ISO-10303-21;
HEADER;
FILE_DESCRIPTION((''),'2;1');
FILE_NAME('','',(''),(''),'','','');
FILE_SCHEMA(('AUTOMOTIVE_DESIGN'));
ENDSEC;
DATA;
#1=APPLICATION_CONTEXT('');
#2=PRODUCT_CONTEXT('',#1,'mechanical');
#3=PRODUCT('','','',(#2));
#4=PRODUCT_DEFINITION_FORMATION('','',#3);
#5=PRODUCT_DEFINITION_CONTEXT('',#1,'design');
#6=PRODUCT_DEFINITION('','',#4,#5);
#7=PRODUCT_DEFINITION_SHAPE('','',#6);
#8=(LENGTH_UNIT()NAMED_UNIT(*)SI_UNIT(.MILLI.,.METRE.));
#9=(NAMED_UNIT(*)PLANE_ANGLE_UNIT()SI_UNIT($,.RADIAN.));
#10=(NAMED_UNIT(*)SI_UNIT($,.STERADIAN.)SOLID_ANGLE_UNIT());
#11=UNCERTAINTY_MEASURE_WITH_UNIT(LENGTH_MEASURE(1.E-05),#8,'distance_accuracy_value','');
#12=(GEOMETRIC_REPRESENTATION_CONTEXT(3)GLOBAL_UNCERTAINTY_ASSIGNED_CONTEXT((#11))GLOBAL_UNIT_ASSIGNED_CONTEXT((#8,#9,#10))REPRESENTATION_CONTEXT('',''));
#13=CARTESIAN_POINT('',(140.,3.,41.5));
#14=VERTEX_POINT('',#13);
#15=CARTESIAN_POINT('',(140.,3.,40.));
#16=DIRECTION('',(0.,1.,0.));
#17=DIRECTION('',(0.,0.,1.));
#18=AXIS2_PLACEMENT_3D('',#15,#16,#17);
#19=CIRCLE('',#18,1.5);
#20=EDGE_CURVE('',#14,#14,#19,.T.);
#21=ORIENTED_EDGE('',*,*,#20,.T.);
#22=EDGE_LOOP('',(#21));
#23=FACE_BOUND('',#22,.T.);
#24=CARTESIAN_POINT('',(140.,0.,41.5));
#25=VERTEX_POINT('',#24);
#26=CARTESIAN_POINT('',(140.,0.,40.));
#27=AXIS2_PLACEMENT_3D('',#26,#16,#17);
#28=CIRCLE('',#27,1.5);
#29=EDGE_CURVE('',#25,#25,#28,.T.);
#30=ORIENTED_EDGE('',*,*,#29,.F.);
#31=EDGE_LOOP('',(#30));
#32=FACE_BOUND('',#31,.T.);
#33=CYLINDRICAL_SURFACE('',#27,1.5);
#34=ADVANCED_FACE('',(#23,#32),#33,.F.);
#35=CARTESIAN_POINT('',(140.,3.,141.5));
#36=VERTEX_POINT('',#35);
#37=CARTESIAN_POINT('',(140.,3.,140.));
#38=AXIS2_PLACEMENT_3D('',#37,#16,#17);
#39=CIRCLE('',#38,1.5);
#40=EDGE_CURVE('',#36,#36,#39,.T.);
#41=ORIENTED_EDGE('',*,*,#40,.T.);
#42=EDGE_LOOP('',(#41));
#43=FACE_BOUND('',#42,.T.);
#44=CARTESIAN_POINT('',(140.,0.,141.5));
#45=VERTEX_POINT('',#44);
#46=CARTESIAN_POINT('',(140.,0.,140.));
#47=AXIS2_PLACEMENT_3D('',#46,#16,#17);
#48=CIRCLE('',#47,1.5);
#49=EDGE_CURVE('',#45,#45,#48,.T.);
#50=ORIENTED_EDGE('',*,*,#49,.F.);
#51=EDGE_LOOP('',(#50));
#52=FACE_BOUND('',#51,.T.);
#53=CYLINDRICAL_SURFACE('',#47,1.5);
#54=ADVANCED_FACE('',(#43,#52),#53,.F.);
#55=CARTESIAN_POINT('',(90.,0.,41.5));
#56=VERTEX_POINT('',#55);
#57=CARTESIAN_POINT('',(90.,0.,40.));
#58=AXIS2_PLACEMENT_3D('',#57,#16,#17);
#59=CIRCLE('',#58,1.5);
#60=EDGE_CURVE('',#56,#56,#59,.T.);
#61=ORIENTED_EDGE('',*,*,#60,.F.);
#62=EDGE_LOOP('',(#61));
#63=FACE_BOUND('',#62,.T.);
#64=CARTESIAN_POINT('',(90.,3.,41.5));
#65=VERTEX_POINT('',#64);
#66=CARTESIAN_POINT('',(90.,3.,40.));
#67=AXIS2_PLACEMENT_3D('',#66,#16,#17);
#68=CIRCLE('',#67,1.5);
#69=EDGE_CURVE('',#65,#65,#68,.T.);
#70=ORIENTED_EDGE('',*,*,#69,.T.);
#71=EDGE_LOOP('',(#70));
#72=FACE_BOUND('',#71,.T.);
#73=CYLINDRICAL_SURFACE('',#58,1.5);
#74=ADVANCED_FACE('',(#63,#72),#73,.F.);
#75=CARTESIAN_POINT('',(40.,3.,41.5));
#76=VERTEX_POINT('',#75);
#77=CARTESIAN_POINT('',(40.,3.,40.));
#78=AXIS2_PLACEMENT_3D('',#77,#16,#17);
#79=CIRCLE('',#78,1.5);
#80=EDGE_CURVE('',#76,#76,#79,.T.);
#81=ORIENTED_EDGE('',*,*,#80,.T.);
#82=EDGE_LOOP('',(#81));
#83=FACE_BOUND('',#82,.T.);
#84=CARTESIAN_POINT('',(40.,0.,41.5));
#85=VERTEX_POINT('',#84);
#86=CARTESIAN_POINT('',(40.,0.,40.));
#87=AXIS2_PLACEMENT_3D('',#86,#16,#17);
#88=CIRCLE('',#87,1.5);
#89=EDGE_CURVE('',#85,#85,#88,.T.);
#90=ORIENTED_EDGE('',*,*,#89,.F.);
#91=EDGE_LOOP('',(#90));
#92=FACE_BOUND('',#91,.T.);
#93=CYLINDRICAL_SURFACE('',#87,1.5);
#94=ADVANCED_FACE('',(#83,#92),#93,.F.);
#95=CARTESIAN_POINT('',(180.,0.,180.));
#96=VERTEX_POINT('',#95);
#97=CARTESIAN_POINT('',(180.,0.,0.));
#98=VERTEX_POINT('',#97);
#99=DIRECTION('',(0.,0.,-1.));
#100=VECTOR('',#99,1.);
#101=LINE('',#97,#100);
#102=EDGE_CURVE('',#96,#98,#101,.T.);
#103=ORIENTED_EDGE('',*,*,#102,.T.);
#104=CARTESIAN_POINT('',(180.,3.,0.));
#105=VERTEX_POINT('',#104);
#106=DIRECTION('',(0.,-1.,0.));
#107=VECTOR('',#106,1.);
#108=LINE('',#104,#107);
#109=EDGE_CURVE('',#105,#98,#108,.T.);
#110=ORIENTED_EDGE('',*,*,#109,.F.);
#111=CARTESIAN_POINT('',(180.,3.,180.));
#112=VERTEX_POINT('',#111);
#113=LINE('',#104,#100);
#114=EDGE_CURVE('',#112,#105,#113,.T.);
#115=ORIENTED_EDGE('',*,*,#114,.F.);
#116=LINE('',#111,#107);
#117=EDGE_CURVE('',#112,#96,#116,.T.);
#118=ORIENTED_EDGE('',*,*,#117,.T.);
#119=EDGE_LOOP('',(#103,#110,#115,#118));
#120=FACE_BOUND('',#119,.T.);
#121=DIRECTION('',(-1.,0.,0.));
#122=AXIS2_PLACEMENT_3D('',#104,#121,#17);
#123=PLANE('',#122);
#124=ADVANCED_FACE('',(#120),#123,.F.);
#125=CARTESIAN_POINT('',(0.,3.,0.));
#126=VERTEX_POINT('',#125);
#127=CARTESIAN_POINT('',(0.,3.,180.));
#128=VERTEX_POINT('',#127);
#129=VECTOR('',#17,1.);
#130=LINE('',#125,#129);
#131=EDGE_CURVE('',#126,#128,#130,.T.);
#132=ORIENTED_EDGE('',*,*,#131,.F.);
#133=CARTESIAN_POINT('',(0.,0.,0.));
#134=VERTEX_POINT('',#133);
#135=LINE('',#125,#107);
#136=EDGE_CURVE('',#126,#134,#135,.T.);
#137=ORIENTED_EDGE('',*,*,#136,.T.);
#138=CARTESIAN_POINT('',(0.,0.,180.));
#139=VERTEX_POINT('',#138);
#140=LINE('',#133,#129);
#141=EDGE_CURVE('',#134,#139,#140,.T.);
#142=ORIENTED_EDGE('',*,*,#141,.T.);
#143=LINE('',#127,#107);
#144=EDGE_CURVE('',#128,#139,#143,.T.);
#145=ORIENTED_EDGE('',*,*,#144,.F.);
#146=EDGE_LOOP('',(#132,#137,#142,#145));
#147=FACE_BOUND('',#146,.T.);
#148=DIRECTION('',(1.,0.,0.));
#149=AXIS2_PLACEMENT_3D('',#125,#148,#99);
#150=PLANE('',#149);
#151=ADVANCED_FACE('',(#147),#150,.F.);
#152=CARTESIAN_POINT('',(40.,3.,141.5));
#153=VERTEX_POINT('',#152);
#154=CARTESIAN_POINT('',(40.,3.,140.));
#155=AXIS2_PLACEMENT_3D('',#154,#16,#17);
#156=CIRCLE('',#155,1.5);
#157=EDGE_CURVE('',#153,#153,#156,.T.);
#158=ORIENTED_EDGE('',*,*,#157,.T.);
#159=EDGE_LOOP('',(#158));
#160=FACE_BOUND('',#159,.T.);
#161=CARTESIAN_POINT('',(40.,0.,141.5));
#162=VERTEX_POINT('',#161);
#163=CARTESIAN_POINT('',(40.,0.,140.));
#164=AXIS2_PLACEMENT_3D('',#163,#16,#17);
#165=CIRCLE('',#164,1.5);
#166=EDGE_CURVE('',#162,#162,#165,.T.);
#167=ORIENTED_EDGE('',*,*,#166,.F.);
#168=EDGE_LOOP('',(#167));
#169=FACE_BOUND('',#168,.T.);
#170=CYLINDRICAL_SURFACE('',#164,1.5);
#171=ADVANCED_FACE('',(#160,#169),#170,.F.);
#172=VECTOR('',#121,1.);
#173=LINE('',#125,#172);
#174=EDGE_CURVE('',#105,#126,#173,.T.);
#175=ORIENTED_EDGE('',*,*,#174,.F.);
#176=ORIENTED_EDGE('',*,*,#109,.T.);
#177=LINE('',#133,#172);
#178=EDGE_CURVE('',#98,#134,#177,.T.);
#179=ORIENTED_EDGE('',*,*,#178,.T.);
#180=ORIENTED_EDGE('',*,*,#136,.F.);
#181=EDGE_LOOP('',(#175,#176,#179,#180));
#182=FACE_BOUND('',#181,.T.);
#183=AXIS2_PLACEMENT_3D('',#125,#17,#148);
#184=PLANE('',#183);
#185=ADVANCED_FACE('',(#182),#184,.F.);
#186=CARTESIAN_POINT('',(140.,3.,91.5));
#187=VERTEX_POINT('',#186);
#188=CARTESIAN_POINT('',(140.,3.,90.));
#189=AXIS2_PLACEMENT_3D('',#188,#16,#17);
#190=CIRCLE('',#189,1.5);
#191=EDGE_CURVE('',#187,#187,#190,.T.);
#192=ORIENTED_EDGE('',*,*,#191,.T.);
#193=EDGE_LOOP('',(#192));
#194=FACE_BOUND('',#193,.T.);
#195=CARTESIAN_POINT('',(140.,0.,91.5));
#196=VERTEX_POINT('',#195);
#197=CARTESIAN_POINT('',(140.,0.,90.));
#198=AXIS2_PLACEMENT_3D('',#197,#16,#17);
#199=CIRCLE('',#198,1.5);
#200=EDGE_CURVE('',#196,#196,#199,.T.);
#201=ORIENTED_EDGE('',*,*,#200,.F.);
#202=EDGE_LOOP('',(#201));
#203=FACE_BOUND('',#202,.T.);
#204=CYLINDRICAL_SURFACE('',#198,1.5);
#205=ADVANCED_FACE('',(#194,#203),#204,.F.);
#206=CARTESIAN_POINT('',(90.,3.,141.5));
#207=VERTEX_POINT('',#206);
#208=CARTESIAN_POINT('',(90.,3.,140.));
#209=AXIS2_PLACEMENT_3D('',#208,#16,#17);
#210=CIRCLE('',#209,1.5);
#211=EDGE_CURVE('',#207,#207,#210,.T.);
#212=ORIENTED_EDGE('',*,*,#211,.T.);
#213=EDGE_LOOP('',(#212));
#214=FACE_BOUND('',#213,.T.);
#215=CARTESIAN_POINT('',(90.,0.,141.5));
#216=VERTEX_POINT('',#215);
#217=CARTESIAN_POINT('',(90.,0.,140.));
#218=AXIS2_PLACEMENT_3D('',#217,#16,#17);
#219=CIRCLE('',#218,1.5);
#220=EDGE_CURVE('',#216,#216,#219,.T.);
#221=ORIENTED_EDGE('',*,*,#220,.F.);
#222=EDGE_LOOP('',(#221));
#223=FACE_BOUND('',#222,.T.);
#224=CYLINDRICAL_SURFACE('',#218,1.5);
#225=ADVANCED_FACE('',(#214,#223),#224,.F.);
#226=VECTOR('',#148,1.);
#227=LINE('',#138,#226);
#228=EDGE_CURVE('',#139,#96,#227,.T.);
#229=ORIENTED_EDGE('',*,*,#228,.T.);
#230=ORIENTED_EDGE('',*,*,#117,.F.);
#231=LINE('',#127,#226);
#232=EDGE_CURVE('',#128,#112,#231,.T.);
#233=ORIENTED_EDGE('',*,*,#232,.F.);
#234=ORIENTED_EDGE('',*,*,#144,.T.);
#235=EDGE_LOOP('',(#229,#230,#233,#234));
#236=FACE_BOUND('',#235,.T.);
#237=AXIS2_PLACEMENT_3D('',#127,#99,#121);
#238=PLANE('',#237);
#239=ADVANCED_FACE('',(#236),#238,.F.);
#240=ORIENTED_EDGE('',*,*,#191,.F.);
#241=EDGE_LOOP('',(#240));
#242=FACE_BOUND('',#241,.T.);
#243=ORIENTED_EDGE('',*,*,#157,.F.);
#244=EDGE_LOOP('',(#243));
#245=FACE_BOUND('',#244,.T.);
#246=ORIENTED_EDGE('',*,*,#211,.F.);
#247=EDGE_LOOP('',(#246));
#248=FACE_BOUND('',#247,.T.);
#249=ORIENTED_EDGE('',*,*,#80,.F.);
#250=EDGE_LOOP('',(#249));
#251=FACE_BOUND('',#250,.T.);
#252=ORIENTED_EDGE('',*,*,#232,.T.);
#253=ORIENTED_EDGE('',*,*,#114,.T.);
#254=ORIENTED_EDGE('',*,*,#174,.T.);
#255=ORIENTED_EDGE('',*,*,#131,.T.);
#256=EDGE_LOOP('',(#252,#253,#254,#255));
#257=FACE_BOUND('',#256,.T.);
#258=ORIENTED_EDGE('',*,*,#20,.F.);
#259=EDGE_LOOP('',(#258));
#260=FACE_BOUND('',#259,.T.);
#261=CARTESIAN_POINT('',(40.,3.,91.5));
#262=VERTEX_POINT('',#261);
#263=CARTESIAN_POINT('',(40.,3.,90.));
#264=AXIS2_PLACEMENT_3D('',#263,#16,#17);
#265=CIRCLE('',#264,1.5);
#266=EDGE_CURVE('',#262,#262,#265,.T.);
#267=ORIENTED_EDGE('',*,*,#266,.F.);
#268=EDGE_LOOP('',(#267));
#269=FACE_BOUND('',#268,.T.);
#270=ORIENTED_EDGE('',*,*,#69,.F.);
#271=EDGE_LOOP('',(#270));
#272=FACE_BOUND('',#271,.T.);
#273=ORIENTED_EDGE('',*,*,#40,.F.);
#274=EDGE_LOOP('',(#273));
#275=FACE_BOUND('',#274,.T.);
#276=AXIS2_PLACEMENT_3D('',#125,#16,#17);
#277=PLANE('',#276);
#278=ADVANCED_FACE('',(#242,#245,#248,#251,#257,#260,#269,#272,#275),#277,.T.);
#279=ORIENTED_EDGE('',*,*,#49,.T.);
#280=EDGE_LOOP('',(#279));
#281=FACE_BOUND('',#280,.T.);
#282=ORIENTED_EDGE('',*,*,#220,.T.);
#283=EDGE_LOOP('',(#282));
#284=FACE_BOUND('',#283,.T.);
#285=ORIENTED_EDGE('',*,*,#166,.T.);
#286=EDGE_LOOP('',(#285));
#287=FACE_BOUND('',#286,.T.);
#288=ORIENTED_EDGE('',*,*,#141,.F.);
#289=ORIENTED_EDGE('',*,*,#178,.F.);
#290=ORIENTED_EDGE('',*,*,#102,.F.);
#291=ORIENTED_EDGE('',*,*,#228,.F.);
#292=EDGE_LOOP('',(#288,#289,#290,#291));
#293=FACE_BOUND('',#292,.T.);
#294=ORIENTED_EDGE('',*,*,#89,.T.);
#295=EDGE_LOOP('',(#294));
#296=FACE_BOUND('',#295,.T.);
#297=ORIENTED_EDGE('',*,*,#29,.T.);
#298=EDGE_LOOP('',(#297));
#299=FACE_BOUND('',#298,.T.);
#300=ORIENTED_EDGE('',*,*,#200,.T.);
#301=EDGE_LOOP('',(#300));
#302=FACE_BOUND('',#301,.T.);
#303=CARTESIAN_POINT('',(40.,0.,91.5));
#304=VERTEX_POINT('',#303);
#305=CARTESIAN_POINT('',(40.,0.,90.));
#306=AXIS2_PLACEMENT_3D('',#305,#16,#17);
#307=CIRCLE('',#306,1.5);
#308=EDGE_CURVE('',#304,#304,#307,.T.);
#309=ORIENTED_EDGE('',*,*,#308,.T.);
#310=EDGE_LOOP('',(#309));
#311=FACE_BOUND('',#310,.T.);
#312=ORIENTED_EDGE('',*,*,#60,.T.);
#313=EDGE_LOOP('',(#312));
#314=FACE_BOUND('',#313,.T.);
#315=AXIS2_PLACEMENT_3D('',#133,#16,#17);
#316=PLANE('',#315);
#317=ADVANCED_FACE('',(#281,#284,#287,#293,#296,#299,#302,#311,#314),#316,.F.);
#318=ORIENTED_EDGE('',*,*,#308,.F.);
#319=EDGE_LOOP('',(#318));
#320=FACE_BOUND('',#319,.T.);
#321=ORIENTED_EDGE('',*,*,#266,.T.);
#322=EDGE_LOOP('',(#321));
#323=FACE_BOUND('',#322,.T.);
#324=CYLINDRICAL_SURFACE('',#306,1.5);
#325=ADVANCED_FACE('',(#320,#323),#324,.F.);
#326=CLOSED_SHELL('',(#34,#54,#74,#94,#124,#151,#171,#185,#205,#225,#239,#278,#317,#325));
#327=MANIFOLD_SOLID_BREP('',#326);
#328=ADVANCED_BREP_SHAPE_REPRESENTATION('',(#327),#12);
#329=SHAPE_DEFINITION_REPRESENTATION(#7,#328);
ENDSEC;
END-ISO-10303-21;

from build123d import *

# Parameters (mm, degrees)
SKETCH1_W           = 180
SKETCH1_H           = 180
BOSS_EXTRUDE1_DEPTH = 3
SKETCH2_R           = 1.5
CUT_EXTRUDE1_DEPTH  = 3


with BuildPart() as part:
    # Sketch1 → Boss-Extrude1 (new body)
    with BuildSketch(Plane(origin=(0, 0, 0), x_dir=(1, 0, 0), z_dir=(0, 1, 0))):
        with Locations((90, -90)):
            Rectangle(SKETCH1_W, SKETCH1_H)
    extrude(amount=BOSS_EXTRUDE1_DEPTH)

    # Sketch2 → Cut-Extrude1 (cut)
    with BuildSketch(Plane(origin=(0, 3, 0), x_dir=(1, 0, 0), z_dir=(0, 1, 0))):
        with Locations(Location((40, -40, 0), (0, 0, 270))):
            Circle(SKETCH2_R)
        with Locations(Location((140, -40, 0), (0, 0, 270))):
            Circle(SKETCH2_R)
        with Locations(Location((140, -140, 0), (0, 0, 270))):
            Circle(SKETCH2_R)
        with Locations(Location((40, -140, 0), (0, 0, 270))):
            Circle(SKETCH2_R)
        with Locations(Location((90, -40, 0), (0, 0, 270))):
            Circle(SKETCH2_R)
        with Locations(Location((140, -90, 0), (0, 0, 270))):
            Circle(SKETCH2_R)
        with Locations(Location((90, -140, 0), (0, 0, 270))):
            Circle(SKETCH2_R)
        with Locations(Location((40, -90, 0), (0, 0, 270))):
            Circle(SKETCH2_R)
    extrude(amount=-CUT_EXTRUDE1_DEPTH, mode=Mode.SUBTRACT)


solid = part.part
